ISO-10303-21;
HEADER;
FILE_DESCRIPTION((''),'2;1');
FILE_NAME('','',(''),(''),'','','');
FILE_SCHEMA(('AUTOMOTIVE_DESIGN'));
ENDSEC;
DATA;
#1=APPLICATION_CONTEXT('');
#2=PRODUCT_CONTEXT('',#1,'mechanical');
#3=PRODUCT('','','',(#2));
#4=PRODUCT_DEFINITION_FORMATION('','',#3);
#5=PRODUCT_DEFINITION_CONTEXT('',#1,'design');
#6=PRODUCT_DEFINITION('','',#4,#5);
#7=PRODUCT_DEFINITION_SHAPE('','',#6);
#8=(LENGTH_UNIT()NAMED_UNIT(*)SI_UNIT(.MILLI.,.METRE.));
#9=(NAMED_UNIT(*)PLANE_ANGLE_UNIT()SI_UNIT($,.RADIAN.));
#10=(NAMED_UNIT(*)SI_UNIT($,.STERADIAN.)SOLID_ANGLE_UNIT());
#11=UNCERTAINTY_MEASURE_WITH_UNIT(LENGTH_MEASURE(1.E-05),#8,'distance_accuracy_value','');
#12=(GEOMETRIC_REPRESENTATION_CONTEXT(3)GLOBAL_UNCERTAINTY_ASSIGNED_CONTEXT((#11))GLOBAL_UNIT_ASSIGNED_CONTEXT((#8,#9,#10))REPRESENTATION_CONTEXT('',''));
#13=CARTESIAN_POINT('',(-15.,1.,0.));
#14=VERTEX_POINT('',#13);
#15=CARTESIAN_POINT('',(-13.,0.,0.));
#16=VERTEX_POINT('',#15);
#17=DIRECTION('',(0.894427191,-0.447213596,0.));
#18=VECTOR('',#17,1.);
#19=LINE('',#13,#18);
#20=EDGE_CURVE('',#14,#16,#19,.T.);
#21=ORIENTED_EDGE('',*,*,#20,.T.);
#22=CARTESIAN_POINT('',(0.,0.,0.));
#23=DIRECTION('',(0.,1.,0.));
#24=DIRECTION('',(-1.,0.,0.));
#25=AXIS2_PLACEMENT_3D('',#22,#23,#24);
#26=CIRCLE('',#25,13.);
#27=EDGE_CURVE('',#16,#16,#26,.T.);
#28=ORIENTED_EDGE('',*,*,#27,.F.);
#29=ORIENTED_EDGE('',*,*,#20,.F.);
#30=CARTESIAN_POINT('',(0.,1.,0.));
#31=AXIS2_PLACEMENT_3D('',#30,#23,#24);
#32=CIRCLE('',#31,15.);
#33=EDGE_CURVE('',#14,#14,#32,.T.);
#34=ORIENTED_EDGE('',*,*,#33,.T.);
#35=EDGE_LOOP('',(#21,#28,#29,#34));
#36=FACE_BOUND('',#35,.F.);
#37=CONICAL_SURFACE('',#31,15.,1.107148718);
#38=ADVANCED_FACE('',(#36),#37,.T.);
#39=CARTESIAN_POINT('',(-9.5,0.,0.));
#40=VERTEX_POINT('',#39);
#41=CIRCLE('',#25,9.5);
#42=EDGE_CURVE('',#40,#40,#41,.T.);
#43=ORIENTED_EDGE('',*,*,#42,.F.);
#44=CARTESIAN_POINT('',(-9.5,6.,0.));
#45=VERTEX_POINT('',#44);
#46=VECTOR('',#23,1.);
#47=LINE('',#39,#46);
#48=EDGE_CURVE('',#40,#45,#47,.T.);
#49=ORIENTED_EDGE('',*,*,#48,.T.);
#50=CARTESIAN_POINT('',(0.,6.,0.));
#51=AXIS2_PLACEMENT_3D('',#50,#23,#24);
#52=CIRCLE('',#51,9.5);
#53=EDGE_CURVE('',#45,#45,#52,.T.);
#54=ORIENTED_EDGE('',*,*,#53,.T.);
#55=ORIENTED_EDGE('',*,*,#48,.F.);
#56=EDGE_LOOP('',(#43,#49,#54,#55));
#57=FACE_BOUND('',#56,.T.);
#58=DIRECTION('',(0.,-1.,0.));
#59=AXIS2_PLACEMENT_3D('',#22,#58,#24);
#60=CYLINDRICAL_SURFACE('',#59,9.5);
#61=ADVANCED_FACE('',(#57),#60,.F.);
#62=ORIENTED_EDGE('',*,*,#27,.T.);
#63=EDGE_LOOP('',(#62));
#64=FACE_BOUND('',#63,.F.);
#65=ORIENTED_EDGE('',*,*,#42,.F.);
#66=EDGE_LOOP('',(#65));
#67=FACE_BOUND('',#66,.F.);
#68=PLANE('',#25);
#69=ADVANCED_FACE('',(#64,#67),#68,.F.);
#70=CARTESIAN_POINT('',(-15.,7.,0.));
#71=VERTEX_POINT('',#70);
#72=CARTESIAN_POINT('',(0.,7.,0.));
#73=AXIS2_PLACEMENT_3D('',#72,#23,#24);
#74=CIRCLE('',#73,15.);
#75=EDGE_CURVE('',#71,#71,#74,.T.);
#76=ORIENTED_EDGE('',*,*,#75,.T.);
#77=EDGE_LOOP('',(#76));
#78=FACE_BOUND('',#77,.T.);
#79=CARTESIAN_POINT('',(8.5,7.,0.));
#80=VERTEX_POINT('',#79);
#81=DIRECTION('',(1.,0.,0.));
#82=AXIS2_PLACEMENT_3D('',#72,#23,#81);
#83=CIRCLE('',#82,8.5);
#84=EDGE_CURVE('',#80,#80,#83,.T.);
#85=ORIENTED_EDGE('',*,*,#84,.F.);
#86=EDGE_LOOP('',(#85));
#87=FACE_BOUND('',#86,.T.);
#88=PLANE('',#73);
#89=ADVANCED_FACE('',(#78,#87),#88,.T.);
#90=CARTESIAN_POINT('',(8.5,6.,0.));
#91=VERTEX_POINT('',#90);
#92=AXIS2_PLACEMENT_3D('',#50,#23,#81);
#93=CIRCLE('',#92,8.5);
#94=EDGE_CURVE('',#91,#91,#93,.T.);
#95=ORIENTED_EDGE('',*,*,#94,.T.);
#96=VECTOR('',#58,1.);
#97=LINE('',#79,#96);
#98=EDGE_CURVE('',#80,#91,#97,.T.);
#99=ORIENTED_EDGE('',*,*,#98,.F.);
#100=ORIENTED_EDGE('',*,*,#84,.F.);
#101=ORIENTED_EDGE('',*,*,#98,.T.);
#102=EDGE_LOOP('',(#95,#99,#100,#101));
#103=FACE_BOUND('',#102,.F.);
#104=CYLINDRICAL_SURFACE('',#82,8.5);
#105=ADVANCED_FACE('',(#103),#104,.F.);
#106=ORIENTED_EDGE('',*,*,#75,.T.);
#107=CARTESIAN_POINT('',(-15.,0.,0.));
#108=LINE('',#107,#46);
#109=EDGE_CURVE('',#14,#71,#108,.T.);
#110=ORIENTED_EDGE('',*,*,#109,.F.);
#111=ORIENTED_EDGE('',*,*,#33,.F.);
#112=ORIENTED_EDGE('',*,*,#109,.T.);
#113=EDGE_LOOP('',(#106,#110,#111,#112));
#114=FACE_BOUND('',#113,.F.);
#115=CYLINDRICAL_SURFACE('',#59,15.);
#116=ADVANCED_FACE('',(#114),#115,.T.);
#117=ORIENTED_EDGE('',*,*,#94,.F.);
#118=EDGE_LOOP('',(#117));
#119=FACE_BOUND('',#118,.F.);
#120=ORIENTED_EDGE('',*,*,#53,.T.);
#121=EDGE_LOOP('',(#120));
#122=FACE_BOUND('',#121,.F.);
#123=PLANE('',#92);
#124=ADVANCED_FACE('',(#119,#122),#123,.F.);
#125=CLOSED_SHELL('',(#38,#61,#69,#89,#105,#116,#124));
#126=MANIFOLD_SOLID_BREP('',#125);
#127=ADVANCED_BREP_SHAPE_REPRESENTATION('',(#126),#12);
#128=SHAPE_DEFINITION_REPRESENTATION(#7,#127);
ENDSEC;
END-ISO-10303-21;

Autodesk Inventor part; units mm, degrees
ref_plane "YZ Plane" through (0, 0, 0) normal (1, 0, 0) x (0, 1, 0)
ref_plane "XZ Plane" through (0, 0, 0) normal (0, 1, 0) x (-1, 0, 0)
ref_plane "XY Plane" through (0, 0, 0) normal (0, 0, 1) x (1, 0, 0)
sketch "Szkic1" plane through (0, 0, 0) normal (0, 1, 0) x (-1, 0, 0)
  circle A0 centre (0, 0) radius 9.5
  circle A1 centre (0, 0) radius 15
  dimension "d0" = 19
  dimension "d3" = 30
extrude "Wyciągnięcie proste1" add sketch "Szkic1" along normal blind 7
sketch "Szkic2" plane through (0, 7, 0) normal (0, 1, 0) x (1, 0, 0)
  circle A0 centre (0, 0) radius 9.5
  circle A1 centre (0, 0) radius 8.5
  dimension "d4" = 19
  dimension "d5" = 17
extrude "Wyciągnięcie proste2" add sketch "Szkic2" against normal blind 1
chamfer "Faza1" distance 1 distance2 2 1 edges at (15, 0, 0) measured on face at (-14.8058, 4.6667, -2.4062)
properties part number "opona_nosne_dummie" material "Aluminum 6061"
